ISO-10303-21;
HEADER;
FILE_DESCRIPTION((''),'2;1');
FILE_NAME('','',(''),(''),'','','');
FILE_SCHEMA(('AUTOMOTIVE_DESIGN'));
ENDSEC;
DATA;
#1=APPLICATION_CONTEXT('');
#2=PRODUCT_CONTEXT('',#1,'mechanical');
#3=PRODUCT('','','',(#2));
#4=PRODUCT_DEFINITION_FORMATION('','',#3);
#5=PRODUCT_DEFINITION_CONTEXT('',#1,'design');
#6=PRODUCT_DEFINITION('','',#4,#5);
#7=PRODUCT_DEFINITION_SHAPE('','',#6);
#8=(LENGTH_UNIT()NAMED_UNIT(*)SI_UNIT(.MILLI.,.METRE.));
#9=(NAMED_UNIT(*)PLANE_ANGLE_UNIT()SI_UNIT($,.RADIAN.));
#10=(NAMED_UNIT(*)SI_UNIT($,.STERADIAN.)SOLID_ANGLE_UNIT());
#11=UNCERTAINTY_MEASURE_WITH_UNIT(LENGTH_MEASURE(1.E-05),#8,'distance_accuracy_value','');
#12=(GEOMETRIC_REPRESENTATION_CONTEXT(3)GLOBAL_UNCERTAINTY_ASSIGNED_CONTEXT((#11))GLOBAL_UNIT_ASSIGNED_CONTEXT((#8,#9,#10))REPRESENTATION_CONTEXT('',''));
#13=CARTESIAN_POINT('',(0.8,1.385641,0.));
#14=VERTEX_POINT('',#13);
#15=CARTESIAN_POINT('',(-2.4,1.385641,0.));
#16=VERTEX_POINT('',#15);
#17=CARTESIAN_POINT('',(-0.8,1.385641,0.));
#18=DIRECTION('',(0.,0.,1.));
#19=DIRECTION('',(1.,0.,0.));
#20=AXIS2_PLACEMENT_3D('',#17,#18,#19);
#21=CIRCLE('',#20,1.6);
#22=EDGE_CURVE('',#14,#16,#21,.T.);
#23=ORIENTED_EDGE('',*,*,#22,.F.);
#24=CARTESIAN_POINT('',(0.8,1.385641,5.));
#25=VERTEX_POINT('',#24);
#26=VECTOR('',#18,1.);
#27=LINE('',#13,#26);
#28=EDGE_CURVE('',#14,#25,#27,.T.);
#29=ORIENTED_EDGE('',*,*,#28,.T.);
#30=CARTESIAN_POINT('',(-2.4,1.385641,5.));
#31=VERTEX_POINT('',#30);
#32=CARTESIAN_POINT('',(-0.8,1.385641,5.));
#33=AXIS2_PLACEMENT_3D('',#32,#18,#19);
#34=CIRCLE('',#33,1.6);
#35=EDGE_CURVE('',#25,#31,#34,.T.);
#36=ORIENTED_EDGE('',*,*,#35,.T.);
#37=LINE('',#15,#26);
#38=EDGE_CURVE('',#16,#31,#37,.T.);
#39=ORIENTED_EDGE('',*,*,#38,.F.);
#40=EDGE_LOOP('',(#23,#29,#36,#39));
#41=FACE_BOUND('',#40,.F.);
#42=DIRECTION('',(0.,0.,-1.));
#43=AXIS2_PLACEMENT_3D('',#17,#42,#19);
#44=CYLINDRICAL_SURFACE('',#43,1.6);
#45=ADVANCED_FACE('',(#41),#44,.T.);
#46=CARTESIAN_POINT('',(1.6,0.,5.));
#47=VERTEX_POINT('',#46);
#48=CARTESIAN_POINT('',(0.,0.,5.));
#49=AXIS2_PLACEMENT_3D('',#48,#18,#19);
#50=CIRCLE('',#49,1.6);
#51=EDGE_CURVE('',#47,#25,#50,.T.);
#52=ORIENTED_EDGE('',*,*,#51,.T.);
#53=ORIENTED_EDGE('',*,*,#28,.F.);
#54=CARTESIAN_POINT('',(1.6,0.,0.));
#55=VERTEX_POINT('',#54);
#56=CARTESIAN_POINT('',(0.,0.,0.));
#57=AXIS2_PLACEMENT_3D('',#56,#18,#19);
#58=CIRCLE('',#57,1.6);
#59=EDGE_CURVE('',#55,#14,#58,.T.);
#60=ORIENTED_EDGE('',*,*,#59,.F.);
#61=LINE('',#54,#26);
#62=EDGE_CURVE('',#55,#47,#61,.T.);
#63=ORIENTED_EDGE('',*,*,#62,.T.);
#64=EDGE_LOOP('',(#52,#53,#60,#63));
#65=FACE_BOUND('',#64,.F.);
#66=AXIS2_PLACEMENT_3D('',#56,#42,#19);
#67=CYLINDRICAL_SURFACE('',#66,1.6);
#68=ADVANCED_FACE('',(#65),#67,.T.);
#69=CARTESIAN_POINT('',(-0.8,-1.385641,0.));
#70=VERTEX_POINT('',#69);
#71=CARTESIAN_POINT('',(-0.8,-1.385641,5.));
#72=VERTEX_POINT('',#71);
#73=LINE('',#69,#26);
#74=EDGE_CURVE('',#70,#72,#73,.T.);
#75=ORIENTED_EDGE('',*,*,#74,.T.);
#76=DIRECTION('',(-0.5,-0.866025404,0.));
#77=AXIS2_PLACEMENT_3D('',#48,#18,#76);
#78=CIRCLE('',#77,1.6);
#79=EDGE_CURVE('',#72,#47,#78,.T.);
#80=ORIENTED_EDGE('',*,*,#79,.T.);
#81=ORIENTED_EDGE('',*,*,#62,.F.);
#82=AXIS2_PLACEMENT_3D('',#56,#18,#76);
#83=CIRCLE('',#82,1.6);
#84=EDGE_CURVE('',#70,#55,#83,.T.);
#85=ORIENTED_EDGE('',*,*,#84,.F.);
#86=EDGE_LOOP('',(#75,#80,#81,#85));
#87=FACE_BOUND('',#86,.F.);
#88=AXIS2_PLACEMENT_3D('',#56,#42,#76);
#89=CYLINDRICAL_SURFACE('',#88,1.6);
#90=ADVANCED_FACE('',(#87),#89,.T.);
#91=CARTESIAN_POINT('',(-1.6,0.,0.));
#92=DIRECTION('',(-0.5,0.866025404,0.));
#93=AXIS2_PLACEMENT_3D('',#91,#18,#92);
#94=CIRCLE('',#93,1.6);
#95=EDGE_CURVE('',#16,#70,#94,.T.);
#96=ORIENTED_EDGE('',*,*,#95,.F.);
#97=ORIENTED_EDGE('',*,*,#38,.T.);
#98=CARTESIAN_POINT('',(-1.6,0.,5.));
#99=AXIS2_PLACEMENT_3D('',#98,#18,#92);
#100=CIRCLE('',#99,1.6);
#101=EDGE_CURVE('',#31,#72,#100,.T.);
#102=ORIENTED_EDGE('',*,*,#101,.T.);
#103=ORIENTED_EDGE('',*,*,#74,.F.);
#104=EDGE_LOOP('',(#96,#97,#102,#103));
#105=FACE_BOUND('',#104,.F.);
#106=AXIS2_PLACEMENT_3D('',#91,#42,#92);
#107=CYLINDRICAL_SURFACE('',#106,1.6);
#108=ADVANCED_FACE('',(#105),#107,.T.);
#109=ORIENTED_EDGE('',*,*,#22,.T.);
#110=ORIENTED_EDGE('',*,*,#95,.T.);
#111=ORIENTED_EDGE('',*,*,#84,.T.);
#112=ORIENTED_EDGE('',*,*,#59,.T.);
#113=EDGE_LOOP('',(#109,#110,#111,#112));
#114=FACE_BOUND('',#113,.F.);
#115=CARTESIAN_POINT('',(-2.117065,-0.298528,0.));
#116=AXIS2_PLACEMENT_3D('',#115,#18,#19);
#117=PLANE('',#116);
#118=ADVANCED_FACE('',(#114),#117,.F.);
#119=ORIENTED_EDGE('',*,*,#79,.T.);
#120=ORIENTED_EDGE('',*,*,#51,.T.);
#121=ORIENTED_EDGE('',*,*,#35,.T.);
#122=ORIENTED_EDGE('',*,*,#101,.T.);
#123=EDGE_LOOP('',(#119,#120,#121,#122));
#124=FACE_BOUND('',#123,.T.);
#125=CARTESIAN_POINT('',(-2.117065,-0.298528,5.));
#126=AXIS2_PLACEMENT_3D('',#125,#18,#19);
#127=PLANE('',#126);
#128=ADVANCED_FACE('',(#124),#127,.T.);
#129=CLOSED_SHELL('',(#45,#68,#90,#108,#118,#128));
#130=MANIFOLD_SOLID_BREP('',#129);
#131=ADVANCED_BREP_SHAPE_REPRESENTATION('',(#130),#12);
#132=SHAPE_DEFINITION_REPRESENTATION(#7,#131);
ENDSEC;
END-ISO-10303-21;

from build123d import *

# Parameters (mm, degrees)
F1_DEPTH = 5


with BuildPart() as f1:
    # F0 (on Top) → F1 (new body)
    with BuildSketch(Plane.XY):
        with BuildLine():
            ThreePointArc((-2.4, 1.3856406461), (-2.9856406461, -0.8), (-0.8, -1.3856406461))
            ThreePointArc((-0.8, -1.3856406461), (-1.3856406461, -0.8), (-1.6, 0))
            ThreePointArc((-1.6, 0), (-2.1856406461, 0.5856406461), (-2.4, 1.3856406461))
        make_face()
        with BuildLine():
            ThreePointArc((-0.8, -1.3856406461), (0.8, -1.3856406461), (1.6, 0))
            ThreePointArc((1.6, 0), (1.3856406461, 0.8), (0.8, 1.3856406461))
            ThreePointArc((0.8, 1.3856406461), (0.5856406461, 0.5856406461), (0, 0))
            ThreePointArc((0, 0), (-0.2143593539, -0.8), (-0.8, -1.3856406461))
        make_face()
        with BuildLine():
            ThreePointArc((0, 0), (0.5856406461, 0.5856406461), (0.8, 1.3856406461))
            ThreePointArc((0.8, 1.3856406461), (0, 1.6), (-0.8, 1.3856406461))
            ThreePointArc((-0.8, 1.3856406461), (-0.2143593539, 0.8), (0, 0))
        make_face()
        with BuildLine():
            ThreePointArc((-0.8, 1.3856406461), (0, 1.6), (0.8, 1.3856406461))
            ThreePointArc((0.8, 1.3856406461), (-0.8, 2.9856406461), (-2.4, 1.3856406461))
            ThreePointArc((-2.4, 1.3856406461), (-1.6, 1.6), (-0.8, 1.3856406461))
        make_face()
        with BuildLine():
            ThreePointArc((-1.6, 0), (-1.3856406461, 0.8), (-0.8, 1.3856406461))
            ThreePointArc((-0.8, 1.3856406461), (-1.6, 1.6), (-2.4, 1.3856406461))
            ThreePointArc((-2.4, 1.3856406461), (-2.1856406461, 0.5856406461), (-1.6, 0))
        make_face()
        with BuildLine():
            ThreePointArc((-1.6, 0), (-1.3856406461, -0.8), (-0.8, -1.3856406461))
            ThreePointArc((-0.8, -1.3856406461), (-0.2143593539, -0.8), (0, 0))
            ThreePointArc((0, 0), (-0.8, -0.2143593539), (-1.6, 0))
        make_face()
        with BuildLine():
            ThreePointArc((0, 0), (-0.2143593539, 0.8), (-0.8, 1.3856406461))
            ThreePointArc((-0.8, 1.3856406461), (-1.3856406461, 0.8), (-1.6, 0))
            ThreePointArc((-1.6, 0), (-0.8, -0.2143593539), (0, 0))
        make_face()
    extrude(amount=F1_DEPTH)


solid = f1.part
